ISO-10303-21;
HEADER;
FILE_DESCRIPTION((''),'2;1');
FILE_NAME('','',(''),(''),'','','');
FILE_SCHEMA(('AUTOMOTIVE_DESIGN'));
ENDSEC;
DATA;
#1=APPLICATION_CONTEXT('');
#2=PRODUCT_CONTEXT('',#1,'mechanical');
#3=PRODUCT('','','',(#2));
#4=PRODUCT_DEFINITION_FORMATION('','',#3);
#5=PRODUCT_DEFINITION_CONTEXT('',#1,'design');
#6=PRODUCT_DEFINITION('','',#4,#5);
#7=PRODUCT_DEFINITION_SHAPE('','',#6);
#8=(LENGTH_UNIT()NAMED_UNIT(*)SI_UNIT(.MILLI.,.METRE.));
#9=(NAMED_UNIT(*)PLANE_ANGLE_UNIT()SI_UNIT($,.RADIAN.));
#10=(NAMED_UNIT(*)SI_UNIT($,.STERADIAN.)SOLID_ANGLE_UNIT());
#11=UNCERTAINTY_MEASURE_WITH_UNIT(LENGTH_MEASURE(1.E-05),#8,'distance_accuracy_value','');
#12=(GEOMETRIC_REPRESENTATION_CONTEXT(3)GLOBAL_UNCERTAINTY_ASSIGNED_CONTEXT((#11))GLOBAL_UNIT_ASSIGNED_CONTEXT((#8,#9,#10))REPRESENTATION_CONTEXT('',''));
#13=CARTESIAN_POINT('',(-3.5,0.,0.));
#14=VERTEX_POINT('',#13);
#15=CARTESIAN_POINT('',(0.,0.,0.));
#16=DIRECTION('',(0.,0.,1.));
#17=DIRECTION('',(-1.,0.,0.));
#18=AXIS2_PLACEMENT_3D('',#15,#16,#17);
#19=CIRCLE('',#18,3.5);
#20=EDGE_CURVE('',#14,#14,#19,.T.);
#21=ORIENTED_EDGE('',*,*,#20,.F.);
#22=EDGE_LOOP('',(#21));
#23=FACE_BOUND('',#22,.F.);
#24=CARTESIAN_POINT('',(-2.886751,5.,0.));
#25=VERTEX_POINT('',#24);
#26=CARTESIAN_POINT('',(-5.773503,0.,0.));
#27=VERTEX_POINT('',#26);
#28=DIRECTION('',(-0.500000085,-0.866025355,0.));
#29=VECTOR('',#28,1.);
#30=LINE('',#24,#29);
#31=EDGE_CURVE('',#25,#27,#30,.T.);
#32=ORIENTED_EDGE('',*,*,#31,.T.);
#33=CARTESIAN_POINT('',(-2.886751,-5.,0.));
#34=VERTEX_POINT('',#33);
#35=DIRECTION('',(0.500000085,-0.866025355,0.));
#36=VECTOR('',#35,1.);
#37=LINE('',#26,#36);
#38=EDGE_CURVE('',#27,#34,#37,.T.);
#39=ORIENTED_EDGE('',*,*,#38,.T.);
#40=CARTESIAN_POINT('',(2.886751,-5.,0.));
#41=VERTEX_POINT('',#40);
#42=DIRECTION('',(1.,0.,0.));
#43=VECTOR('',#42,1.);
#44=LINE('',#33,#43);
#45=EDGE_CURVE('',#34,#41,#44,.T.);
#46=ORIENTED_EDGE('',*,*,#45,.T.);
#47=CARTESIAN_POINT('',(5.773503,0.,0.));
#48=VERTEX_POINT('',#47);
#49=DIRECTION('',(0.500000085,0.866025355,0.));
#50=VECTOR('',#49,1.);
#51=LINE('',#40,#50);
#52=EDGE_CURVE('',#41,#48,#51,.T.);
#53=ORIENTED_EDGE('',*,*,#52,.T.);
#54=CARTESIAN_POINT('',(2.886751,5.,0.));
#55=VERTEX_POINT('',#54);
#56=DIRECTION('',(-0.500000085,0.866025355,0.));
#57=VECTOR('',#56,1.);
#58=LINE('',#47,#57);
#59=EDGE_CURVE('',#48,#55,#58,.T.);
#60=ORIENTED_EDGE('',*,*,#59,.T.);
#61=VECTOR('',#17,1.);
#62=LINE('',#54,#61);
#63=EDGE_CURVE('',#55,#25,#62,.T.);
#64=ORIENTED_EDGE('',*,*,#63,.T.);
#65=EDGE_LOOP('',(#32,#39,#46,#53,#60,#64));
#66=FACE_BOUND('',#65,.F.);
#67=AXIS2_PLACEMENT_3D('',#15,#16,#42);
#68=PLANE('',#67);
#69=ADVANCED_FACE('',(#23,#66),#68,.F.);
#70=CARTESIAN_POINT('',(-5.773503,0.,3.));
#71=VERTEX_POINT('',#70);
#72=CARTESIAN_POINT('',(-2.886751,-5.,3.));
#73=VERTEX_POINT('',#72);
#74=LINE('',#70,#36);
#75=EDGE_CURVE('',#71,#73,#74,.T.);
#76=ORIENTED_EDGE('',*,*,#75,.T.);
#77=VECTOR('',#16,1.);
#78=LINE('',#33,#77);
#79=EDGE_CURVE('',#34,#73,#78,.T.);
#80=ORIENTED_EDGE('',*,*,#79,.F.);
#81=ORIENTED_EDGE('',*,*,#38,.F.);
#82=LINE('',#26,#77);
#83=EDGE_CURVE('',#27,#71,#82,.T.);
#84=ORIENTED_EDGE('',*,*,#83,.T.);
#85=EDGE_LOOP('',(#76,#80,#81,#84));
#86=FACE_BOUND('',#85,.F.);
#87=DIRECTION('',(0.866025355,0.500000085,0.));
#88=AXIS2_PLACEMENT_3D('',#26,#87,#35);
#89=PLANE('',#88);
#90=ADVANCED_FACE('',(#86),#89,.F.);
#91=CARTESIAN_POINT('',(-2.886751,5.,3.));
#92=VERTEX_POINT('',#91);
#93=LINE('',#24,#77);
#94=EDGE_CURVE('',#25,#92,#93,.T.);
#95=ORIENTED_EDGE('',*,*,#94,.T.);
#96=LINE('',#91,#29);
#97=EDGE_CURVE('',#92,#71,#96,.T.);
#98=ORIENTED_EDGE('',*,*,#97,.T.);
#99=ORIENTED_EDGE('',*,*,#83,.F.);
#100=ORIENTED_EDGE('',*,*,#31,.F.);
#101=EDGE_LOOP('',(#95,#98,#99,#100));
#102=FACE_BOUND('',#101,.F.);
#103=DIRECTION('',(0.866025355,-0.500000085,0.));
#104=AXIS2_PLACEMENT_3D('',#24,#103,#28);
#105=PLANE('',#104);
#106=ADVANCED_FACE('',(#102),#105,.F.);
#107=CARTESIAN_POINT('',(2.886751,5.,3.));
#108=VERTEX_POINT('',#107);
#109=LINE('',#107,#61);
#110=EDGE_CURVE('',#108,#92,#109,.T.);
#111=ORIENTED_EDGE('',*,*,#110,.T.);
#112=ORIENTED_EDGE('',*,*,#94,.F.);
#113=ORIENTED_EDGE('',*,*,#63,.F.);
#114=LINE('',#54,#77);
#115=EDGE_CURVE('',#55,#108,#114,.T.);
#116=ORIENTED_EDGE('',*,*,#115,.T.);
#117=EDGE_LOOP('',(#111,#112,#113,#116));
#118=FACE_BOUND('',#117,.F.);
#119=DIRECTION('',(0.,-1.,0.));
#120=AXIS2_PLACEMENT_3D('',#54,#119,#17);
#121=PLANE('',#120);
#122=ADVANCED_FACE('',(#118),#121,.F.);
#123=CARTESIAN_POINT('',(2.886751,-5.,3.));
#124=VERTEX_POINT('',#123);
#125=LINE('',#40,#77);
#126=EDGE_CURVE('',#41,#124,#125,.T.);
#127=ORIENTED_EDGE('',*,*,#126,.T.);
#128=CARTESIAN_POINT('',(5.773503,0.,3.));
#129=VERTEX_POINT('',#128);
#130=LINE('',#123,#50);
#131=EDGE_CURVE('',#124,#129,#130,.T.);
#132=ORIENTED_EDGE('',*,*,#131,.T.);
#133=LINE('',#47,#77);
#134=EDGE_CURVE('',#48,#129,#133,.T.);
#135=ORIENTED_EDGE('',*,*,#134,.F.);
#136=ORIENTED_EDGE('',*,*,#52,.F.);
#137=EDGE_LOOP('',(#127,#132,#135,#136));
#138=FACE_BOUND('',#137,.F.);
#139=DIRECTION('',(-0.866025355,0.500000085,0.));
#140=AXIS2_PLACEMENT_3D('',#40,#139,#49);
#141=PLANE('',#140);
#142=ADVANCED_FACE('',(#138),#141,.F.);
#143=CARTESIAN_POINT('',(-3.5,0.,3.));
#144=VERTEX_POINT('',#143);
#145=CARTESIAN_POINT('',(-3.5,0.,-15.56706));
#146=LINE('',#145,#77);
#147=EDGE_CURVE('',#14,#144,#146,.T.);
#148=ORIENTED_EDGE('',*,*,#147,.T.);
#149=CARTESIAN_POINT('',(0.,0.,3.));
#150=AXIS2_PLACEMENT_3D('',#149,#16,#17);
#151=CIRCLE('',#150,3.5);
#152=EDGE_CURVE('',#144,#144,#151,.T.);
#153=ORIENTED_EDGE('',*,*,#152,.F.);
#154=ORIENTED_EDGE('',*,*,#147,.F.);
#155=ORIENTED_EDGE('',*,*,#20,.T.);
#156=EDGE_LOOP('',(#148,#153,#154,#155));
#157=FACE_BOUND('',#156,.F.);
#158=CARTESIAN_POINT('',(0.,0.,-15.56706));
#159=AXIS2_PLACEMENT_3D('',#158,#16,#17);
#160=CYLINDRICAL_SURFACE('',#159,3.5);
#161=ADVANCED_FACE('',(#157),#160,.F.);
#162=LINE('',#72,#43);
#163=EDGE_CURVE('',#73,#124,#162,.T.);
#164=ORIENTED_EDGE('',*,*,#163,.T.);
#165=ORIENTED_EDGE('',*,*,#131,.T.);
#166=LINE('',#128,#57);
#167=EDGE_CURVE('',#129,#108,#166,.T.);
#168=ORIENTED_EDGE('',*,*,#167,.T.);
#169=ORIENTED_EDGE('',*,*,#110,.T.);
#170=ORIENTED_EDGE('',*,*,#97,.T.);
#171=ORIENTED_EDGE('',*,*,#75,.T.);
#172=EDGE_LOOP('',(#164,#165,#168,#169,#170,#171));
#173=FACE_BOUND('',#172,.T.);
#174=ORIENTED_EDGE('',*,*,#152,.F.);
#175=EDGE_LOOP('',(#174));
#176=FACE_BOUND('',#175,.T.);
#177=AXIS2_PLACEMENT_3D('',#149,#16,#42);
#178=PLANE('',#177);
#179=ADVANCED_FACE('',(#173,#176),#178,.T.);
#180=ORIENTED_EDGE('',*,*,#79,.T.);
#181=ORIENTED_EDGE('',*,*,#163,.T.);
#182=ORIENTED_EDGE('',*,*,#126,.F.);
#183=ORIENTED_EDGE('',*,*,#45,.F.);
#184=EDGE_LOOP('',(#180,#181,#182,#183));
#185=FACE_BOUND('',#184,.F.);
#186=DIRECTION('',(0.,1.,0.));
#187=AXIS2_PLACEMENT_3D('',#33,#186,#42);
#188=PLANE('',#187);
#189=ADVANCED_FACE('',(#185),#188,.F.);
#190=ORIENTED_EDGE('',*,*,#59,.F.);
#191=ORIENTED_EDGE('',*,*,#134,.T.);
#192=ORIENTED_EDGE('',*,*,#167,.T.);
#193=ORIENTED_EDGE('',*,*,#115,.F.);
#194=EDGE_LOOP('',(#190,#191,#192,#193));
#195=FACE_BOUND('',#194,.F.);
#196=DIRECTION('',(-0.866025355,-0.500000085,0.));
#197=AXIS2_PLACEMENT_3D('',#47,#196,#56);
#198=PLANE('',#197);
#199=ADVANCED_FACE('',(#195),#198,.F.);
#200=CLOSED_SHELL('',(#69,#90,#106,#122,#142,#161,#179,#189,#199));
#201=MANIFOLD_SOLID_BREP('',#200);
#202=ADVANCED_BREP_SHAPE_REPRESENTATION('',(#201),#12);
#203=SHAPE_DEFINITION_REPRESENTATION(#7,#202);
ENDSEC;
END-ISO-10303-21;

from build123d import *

# Parameters (mm, degrees)
F1_DEPTH = 3
F3_D     = 7


with BuildPart() as f1:
    # F0 (on Top) → F1 (new body)
    with BuildSketch(Plane.XY):
        Polygon((2.886751, 5), (-2.886751, 5), (-5.773503, 0), (-2.886751, -5), (2.886751, -5), (5.773503, 0), align=None)
    extrude(amount=F1_DEPTH)

    # F3 (through all)
    with Locations(Plane(origin=(0, 0, 0), x_dir=(1, 0, 0), z_dir=(0, 0, -1))):
        with Locations((0, 0)):
            Hole(F3_D / 2)


solid = f1.part
